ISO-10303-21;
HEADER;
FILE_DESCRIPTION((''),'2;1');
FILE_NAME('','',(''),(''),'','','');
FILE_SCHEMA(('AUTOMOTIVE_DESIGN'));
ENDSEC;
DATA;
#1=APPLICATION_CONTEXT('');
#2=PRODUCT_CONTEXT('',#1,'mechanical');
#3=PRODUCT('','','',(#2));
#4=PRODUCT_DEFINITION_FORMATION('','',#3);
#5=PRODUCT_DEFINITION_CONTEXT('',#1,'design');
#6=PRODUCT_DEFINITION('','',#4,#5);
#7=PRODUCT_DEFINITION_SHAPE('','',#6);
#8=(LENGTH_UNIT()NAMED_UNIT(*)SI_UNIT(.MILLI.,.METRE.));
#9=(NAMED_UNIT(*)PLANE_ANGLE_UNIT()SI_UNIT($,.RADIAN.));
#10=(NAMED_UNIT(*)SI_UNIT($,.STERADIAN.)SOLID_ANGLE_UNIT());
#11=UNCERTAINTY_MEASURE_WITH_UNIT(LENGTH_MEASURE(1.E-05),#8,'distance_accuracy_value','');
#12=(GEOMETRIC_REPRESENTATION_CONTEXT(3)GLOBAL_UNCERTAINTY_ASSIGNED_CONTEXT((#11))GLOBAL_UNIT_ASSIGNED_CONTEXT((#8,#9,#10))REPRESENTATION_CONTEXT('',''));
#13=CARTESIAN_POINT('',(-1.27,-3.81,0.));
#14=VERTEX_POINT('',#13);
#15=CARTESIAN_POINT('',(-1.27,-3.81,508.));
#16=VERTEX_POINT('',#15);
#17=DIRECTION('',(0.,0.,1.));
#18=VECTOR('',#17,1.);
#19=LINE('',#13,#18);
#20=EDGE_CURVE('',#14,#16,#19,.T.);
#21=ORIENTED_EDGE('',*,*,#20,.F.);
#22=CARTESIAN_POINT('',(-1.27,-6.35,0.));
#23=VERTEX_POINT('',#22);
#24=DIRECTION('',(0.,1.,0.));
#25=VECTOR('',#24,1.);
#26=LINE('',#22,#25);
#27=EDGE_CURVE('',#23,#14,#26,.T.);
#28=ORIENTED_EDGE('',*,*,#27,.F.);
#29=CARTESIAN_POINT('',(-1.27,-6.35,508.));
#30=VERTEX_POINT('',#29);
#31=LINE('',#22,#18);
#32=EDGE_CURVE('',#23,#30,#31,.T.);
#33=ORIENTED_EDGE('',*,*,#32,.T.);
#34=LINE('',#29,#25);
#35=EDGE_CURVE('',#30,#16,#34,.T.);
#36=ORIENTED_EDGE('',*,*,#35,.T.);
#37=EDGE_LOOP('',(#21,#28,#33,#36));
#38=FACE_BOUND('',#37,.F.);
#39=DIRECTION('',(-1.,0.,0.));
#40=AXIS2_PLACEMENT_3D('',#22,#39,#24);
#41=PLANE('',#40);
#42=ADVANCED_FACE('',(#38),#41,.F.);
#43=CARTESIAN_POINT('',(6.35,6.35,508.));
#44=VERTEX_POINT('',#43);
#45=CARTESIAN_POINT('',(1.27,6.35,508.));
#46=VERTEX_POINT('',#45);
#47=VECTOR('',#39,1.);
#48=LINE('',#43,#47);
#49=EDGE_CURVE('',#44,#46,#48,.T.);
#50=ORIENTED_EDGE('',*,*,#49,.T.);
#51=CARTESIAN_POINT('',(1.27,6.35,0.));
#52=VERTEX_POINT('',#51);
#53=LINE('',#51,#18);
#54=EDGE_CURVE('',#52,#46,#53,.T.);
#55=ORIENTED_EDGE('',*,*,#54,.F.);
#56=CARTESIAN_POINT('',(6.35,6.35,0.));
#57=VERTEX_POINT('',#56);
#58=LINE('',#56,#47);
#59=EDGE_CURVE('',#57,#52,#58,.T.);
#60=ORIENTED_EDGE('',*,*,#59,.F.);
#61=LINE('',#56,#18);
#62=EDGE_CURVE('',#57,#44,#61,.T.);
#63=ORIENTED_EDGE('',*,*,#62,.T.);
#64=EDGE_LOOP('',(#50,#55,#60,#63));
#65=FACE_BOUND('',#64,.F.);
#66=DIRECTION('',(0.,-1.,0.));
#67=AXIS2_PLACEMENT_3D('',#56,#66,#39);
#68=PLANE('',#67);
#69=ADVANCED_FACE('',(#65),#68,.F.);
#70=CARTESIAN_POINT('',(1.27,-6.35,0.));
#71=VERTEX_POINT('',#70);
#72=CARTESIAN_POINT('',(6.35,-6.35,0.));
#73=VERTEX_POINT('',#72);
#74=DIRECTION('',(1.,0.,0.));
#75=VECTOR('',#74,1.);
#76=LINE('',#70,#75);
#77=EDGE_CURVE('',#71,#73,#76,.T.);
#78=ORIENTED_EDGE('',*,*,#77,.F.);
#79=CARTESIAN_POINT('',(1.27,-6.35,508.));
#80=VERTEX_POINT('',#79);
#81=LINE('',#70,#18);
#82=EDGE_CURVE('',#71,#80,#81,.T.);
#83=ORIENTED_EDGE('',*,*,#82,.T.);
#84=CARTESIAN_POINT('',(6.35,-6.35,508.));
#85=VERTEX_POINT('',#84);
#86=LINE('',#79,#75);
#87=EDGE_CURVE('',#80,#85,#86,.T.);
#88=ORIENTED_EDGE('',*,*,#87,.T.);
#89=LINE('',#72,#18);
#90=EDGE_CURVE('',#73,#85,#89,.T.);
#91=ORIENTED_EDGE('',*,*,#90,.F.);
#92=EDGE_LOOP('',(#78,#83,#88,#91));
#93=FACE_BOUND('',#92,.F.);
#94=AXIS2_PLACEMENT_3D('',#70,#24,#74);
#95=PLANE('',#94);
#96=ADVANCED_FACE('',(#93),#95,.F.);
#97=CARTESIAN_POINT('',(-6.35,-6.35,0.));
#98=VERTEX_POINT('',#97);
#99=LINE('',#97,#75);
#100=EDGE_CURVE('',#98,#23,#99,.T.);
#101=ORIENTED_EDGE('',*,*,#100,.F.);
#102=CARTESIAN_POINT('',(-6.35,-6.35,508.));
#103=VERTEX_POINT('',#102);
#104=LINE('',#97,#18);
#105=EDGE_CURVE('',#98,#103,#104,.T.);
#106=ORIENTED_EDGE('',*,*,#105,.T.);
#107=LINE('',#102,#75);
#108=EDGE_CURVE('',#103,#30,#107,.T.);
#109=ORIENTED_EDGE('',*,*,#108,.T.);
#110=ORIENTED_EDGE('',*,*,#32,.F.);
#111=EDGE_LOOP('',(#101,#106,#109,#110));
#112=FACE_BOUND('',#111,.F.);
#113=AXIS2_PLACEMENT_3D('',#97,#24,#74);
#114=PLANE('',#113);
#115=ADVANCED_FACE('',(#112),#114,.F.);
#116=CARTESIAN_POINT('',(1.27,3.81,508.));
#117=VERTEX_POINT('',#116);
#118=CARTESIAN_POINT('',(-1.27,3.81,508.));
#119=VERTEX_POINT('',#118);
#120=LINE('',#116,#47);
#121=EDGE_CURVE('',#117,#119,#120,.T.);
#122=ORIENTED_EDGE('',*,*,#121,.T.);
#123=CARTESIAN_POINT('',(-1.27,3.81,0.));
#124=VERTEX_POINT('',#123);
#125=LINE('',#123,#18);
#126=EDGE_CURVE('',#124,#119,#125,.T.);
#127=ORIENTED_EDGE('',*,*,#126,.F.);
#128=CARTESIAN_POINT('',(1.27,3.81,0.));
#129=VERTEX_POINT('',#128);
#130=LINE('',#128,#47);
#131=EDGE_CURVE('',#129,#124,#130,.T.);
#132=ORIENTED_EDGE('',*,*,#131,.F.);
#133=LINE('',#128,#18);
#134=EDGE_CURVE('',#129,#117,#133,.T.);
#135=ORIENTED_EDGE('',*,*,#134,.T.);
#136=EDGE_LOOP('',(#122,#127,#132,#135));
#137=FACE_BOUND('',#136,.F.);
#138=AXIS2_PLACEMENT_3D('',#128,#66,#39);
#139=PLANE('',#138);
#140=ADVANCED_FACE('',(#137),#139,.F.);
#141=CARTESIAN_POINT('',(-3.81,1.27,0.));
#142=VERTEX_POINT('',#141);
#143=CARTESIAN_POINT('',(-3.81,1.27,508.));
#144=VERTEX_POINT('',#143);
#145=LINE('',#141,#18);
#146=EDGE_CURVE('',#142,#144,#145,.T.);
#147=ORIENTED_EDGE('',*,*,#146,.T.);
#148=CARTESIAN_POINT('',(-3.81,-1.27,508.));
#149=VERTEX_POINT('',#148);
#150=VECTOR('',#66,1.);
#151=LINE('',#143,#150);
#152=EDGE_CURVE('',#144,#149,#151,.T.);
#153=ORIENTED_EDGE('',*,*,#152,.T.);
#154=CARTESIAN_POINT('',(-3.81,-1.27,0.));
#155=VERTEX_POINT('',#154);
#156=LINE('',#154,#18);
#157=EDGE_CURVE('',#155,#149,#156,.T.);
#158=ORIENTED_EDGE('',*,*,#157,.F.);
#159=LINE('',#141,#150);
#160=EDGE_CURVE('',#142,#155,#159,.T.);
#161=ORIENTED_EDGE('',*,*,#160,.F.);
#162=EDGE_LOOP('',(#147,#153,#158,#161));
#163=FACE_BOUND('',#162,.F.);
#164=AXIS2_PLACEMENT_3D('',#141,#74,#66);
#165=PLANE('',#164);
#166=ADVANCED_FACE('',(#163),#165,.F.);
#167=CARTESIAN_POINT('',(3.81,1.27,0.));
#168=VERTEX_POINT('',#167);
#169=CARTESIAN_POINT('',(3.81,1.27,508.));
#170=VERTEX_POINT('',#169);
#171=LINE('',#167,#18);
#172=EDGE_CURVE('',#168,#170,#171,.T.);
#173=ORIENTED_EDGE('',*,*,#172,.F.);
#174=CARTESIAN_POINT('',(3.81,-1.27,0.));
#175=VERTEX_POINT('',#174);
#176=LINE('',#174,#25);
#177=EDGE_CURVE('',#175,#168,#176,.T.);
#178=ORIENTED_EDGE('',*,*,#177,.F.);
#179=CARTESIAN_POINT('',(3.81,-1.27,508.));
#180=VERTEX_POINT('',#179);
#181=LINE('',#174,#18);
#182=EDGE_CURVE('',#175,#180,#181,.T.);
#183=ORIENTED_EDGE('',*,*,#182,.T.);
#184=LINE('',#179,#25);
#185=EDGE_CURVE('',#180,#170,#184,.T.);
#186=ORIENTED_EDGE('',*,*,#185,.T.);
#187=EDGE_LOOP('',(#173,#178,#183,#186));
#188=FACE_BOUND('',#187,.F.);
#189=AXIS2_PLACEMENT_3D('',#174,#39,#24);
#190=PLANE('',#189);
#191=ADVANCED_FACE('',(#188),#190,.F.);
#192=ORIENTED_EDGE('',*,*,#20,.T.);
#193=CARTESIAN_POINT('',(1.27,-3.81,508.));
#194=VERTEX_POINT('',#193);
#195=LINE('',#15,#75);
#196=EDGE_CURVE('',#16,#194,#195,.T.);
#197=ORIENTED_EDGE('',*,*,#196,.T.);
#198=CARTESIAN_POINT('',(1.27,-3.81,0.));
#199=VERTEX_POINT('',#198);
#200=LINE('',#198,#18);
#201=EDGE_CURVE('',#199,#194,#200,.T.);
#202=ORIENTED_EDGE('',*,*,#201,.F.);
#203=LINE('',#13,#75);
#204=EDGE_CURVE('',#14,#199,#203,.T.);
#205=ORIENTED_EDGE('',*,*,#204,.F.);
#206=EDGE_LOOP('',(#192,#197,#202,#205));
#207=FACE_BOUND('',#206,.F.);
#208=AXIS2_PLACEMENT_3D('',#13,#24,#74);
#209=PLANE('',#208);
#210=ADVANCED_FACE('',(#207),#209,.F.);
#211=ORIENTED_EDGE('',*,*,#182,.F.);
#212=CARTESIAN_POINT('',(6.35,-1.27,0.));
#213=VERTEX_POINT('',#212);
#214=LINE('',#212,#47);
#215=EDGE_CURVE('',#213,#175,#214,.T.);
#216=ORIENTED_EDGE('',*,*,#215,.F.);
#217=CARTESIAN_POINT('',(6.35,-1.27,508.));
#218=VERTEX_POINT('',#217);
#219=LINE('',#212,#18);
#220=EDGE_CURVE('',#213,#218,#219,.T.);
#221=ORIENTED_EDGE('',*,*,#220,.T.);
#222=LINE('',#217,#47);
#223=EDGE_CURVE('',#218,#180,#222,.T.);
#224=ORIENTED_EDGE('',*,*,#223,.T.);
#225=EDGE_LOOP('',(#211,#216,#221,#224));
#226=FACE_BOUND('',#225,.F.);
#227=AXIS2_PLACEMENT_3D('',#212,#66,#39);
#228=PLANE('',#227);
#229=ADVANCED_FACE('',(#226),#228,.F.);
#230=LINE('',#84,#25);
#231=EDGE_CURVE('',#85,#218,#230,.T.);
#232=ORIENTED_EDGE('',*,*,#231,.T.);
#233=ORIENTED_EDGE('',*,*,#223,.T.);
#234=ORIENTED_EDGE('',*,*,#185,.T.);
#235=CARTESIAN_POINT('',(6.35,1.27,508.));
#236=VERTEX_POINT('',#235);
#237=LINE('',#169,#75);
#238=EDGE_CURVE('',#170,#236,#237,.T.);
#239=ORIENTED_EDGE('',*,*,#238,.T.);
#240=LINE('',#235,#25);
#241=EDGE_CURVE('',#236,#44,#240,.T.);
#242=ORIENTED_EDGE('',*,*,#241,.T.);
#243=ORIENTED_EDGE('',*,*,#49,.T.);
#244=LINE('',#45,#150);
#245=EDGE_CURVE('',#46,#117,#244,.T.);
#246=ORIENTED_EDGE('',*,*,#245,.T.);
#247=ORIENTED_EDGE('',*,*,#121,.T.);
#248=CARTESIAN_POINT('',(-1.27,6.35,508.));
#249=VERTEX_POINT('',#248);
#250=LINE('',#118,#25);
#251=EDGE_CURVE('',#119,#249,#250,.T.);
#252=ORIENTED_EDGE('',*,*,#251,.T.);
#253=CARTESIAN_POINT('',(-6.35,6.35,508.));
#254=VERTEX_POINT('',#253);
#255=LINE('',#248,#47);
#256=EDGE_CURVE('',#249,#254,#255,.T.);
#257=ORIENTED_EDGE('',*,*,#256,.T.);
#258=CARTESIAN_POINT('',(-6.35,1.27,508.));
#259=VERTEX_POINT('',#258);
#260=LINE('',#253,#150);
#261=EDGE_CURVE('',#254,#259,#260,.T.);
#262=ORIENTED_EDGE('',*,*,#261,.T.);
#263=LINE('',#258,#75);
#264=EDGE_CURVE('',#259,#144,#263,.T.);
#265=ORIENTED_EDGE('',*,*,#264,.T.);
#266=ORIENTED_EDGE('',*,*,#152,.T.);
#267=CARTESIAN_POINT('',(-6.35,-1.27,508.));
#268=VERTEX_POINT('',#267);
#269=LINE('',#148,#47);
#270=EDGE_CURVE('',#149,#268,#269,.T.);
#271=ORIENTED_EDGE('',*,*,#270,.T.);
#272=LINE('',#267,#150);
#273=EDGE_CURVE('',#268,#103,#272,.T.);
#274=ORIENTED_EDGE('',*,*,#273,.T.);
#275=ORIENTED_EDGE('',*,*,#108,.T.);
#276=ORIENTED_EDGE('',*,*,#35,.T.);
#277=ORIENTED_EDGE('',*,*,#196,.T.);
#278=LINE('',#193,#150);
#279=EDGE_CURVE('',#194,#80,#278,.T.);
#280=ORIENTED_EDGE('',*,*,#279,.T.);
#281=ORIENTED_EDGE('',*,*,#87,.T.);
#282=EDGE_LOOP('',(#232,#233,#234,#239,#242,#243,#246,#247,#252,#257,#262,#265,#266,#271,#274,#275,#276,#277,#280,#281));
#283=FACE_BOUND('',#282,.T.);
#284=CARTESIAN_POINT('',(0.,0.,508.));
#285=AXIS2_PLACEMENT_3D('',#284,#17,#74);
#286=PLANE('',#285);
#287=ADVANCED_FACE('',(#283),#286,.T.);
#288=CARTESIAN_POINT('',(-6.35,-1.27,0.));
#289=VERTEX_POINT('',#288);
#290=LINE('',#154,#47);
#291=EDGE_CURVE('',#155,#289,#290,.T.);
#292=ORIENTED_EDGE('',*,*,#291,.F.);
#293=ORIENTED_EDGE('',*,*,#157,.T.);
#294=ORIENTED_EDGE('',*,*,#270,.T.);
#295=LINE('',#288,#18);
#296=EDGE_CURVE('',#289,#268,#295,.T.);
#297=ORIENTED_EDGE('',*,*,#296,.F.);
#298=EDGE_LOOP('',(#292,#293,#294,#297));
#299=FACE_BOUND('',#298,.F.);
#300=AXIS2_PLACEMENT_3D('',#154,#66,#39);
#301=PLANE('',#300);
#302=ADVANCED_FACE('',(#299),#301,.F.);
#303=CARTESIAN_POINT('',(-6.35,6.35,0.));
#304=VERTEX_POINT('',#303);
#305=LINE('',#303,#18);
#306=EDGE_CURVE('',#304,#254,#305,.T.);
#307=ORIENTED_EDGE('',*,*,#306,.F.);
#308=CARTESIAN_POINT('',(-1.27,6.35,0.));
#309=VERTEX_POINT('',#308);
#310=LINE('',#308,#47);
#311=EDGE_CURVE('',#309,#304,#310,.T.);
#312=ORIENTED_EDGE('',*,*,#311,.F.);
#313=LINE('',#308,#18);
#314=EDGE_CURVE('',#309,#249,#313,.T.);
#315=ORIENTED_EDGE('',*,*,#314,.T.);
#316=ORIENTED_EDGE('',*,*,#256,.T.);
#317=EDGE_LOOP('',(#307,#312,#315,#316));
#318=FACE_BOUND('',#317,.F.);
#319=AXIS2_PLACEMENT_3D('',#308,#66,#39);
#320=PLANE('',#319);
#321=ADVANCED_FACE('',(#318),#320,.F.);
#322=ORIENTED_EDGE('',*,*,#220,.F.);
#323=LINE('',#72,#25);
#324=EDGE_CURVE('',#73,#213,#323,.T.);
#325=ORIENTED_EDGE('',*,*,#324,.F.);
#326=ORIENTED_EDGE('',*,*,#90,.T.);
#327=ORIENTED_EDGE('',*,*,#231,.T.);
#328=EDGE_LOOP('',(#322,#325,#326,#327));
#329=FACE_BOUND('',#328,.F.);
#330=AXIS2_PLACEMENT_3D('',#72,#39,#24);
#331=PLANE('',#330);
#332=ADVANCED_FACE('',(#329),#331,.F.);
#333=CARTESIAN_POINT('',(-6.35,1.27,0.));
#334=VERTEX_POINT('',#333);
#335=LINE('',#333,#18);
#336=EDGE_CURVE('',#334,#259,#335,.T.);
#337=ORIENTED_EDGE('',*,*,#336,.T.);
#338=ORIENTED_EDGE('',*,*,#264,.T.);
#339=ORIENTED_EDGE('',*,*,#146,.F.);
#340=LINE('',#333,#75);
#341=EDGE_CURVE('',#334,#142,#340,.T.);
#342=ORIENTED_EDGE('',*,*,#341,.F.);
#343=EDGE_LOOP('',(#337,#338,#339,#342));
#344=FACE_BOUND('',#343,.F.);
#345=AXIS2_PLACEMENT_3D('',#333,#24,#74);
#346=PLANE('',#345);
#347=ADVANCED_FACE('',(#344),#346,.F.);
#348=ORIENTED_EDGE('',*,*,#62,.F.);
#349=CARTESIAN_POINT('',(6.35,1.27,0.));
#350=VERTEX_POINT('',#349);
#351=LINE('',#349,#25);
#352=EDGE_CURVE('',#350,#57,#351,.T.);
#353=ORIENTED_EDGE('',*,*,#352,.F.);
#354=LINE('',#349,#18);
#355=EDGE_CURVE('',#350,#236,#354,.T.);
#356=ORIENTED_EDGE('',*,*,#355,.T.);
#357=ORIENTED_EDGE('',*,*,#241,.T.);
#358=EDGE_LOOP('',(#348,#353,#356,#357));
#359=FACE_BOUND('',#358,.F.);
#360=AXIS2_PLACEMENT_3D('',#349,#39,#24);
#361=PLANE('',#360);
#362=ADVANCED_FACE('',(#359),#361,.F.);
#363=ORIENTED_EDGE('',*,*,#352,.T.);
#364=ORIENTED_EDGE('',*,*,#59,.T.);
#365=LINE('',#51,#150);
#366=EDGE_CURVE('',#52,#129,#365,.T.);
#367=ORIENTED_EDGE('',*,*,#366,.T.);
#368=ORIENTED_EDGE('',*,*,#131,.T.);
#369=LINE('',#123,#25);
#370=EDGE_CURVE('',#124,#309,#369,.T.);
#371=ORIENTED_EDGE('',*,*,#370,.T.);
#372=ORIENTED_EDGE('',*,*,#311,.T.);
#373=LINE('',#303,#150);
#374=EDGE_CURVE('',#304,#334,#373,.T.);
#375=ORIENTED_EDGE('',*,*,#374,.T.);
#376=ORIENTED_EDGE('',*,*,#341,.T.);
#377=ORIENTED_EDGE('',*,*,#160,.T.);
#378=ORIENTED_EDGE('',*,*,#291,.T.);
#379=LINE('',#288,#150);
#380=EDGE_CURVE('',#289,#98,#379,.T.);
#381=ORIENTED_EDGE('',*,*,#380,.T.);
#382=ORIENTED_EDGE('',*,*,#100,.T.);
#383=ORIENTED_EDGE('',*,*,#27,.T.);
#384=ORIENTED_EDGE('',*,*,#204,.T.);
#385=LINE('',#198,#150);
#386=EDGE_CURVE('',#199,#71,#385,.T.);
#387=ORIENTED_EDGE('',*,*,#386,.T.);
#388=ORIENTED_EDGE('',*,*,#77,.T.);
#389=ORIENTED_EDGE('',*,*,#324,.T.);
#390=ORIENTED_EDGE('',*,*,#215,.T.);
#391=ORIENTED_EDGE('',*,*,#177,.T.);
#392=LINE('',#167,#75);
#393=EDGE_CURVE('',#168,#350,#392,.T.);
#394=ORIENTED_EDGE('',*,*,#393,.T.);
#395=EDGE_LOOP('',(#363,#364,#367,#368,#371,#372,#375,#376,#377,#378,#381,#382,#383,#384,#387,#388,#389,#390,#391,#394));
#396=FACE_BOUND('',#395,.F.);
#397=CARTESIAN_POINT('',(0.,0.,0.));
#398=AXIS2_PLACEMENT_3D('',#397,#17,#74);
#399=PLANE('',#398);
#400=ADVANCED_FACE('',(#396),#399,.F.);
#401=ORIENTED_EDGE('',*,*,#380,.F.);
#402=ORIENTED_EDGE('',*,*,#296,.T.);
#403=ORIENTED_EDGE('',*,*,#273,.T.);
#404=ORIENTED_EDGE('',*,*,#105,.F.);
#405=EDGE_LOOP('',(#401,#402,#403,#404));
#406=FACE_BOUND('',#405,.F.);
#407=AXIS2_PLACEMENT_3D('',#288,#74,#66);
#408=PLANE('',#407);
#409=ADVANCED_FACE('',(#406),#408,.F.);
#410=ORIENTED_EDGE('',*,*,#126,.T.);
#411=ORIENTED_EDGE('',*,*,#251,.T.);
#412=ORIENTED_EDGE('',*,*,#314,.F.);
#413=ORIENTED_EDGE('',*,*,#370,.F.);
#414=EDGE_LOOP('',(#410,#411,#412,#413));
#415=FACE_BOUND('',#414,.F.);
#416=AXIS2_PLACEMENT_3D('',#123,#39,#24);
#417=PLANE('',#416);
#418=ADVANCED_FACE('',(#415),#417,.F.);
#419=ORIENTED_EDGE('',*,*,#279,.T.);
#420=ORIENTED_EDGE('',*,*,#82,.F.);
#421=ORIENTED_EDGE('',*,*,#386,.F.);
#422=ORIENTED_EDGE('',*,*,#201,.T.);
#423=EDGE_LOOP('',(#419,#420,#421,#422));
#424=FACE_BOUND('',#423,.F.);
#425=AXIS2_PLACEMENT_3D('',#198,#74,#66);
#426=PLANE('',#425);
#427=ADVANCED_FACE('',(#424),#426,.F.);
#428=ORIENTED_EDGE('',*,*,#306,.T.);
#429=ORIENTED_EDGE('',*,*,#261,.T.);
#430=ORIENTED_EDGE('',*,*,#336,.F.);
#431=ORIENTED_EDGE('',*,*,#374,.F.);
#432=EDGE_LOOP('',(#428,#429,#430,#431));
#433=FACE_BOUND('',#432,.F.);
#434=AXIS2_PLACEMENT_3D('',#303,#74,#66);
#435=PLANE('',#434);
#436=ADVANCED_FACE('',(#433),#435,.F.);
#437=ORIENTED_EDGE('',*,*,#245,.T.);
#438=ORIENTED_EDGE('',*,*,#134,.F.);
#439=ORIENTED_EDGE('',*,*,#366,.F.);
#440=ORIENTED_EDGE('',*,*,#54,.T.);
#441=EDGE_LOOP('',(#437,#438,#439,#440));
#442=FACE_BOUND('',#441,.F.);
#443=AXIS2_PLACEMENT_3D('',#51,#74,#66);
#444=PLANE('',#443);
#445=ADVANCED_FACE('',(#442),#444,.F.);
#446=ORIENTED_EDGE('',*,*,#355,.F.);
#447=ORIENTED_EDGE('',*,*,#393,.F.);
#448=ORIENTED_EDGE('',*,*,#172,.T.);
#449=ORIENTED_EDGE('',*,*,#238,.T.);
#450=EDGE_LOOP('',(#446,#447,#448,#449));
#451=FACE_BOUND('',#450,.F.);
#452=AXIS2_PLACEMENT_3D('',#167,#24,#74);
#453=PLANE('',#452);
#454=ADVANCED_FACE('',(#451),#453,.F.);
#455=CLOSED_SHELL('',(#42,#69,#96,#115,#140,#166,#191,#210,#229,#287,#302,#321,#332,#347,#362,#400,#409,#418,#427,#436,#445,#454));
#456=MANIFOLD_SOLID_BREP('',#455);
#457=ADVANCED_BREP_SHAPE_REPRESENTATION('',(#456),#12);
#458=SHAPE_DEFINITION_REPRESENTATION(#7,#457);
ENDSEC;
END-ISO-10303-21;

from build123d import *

# Parameters (mm, degrees)
F1_DEPTH = 508


with BuildPart() as f1:
    # F0 (on Top) → F1 (new body)
    with BuildSketch(Plane.XY):
        Polygon((-1.27, 6.35), (-6.35, 6.35), (-6.35, 1.27), (-3.81, 1.27), (-3.81, -1.27), (-6.35, -1.27), (-6.35, -6.35), (-1.27, -6.35), (-1.27, -3.81), (1.27, -3.81), (1.27, -6.35), (6.35, -6.35), (6.35, -1.27), (3.81, -1.27), (3.81, 1.27), (6.35, 1.27), (6.35, 6.35), (1.27, 6.35), (1.27, 3.81), (-1.27, 3.81), align=None)
    extrude(amount=F1_DEPTH)


solid = f1.part
